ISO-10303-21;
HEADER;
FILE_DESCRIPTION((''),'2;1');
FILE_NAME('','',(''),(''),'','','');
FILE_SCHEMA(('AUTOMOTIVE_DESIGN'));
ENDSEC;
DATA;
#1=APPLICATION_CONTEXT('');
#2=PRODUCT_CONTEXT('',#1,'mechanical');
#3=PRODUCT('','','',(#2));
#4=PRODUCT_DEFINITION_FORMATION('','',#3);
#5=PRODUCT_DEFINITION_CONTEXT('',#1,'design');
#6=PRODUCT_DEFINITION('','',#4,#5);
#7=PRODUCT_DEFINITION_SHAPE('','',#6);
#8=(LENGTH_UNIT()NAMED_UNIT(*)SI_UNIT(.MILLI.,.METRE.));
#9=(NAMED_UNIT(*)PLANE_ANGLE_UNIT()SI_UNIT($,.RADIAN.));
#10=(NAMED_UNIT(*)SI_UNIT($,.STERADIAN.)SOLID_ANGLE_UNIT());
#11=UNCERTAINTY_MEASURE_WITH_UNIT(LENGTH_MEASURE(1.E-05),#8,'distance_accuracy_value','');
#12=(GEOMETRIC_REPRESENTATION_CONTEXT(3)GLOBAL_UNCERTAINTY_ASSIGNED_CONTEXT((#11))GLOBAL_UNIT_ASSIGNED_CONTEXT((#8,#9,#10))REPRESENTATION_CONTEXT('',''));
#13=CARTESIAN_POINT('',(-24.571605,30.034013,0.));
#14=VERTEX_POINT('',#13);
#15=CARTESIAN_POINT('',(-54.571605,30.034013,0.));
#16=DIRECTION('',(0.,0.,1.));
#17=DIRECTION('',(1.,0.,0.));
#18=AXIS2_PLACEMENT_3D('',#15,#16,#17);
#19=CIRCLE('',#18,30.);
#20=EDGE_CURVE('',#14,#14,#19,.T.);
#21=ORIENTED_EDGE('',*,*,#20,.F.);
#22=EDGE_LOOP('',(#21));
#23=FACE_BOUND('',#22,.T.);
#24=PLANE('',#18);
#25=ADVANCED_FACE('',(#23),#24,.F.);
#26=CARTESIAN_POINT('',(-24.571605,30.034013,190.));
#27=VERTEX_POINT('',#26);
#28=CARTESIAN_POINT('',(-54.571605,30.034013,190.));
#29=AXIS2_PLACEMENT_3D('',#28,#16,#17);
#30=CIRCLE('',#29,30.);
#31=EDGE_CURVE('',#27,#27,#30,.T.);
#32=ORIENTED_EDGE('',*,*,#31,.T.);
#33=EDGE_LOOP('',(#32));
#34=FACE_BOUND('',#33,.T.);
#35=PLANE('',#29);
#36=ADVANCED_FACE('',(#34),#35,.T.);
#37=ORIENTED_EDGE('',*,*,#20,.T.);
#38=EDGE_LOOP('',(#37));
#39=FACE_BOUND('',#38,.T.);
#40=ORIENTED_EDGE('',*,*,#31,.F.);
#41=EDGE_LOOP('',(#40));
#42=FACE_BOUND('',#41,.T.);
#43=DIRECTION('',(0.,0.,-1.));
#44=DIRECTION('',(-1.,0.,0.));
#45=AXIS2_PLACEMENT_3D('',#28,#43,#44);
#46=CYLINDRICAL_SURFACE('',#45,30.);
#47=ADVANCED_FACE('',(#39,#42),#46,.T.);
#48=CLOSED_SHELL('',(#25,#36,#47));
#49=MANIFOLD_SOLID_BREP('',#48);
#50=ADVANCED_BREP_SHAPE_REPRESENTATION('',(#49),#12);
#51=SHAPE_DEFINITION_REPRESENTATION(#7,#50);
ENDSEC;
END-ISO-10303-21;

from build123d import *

# Parameters (mm, degrees)
SKETCH2_R           = 30
BOSS_EXTRUDE1_DEPTH = 190


with BuildPart() as part:
    # Sketch2 → Boss-Extrude1 (new body)
    with BuildSketch(Plane.XY):
        with Locations((-54.571604591, 30.034012599)):
            Circle(SKETCH2_R)
    extrude(amount=BOSS_EXTRUDE1_DEPTH)


solid = part.part
